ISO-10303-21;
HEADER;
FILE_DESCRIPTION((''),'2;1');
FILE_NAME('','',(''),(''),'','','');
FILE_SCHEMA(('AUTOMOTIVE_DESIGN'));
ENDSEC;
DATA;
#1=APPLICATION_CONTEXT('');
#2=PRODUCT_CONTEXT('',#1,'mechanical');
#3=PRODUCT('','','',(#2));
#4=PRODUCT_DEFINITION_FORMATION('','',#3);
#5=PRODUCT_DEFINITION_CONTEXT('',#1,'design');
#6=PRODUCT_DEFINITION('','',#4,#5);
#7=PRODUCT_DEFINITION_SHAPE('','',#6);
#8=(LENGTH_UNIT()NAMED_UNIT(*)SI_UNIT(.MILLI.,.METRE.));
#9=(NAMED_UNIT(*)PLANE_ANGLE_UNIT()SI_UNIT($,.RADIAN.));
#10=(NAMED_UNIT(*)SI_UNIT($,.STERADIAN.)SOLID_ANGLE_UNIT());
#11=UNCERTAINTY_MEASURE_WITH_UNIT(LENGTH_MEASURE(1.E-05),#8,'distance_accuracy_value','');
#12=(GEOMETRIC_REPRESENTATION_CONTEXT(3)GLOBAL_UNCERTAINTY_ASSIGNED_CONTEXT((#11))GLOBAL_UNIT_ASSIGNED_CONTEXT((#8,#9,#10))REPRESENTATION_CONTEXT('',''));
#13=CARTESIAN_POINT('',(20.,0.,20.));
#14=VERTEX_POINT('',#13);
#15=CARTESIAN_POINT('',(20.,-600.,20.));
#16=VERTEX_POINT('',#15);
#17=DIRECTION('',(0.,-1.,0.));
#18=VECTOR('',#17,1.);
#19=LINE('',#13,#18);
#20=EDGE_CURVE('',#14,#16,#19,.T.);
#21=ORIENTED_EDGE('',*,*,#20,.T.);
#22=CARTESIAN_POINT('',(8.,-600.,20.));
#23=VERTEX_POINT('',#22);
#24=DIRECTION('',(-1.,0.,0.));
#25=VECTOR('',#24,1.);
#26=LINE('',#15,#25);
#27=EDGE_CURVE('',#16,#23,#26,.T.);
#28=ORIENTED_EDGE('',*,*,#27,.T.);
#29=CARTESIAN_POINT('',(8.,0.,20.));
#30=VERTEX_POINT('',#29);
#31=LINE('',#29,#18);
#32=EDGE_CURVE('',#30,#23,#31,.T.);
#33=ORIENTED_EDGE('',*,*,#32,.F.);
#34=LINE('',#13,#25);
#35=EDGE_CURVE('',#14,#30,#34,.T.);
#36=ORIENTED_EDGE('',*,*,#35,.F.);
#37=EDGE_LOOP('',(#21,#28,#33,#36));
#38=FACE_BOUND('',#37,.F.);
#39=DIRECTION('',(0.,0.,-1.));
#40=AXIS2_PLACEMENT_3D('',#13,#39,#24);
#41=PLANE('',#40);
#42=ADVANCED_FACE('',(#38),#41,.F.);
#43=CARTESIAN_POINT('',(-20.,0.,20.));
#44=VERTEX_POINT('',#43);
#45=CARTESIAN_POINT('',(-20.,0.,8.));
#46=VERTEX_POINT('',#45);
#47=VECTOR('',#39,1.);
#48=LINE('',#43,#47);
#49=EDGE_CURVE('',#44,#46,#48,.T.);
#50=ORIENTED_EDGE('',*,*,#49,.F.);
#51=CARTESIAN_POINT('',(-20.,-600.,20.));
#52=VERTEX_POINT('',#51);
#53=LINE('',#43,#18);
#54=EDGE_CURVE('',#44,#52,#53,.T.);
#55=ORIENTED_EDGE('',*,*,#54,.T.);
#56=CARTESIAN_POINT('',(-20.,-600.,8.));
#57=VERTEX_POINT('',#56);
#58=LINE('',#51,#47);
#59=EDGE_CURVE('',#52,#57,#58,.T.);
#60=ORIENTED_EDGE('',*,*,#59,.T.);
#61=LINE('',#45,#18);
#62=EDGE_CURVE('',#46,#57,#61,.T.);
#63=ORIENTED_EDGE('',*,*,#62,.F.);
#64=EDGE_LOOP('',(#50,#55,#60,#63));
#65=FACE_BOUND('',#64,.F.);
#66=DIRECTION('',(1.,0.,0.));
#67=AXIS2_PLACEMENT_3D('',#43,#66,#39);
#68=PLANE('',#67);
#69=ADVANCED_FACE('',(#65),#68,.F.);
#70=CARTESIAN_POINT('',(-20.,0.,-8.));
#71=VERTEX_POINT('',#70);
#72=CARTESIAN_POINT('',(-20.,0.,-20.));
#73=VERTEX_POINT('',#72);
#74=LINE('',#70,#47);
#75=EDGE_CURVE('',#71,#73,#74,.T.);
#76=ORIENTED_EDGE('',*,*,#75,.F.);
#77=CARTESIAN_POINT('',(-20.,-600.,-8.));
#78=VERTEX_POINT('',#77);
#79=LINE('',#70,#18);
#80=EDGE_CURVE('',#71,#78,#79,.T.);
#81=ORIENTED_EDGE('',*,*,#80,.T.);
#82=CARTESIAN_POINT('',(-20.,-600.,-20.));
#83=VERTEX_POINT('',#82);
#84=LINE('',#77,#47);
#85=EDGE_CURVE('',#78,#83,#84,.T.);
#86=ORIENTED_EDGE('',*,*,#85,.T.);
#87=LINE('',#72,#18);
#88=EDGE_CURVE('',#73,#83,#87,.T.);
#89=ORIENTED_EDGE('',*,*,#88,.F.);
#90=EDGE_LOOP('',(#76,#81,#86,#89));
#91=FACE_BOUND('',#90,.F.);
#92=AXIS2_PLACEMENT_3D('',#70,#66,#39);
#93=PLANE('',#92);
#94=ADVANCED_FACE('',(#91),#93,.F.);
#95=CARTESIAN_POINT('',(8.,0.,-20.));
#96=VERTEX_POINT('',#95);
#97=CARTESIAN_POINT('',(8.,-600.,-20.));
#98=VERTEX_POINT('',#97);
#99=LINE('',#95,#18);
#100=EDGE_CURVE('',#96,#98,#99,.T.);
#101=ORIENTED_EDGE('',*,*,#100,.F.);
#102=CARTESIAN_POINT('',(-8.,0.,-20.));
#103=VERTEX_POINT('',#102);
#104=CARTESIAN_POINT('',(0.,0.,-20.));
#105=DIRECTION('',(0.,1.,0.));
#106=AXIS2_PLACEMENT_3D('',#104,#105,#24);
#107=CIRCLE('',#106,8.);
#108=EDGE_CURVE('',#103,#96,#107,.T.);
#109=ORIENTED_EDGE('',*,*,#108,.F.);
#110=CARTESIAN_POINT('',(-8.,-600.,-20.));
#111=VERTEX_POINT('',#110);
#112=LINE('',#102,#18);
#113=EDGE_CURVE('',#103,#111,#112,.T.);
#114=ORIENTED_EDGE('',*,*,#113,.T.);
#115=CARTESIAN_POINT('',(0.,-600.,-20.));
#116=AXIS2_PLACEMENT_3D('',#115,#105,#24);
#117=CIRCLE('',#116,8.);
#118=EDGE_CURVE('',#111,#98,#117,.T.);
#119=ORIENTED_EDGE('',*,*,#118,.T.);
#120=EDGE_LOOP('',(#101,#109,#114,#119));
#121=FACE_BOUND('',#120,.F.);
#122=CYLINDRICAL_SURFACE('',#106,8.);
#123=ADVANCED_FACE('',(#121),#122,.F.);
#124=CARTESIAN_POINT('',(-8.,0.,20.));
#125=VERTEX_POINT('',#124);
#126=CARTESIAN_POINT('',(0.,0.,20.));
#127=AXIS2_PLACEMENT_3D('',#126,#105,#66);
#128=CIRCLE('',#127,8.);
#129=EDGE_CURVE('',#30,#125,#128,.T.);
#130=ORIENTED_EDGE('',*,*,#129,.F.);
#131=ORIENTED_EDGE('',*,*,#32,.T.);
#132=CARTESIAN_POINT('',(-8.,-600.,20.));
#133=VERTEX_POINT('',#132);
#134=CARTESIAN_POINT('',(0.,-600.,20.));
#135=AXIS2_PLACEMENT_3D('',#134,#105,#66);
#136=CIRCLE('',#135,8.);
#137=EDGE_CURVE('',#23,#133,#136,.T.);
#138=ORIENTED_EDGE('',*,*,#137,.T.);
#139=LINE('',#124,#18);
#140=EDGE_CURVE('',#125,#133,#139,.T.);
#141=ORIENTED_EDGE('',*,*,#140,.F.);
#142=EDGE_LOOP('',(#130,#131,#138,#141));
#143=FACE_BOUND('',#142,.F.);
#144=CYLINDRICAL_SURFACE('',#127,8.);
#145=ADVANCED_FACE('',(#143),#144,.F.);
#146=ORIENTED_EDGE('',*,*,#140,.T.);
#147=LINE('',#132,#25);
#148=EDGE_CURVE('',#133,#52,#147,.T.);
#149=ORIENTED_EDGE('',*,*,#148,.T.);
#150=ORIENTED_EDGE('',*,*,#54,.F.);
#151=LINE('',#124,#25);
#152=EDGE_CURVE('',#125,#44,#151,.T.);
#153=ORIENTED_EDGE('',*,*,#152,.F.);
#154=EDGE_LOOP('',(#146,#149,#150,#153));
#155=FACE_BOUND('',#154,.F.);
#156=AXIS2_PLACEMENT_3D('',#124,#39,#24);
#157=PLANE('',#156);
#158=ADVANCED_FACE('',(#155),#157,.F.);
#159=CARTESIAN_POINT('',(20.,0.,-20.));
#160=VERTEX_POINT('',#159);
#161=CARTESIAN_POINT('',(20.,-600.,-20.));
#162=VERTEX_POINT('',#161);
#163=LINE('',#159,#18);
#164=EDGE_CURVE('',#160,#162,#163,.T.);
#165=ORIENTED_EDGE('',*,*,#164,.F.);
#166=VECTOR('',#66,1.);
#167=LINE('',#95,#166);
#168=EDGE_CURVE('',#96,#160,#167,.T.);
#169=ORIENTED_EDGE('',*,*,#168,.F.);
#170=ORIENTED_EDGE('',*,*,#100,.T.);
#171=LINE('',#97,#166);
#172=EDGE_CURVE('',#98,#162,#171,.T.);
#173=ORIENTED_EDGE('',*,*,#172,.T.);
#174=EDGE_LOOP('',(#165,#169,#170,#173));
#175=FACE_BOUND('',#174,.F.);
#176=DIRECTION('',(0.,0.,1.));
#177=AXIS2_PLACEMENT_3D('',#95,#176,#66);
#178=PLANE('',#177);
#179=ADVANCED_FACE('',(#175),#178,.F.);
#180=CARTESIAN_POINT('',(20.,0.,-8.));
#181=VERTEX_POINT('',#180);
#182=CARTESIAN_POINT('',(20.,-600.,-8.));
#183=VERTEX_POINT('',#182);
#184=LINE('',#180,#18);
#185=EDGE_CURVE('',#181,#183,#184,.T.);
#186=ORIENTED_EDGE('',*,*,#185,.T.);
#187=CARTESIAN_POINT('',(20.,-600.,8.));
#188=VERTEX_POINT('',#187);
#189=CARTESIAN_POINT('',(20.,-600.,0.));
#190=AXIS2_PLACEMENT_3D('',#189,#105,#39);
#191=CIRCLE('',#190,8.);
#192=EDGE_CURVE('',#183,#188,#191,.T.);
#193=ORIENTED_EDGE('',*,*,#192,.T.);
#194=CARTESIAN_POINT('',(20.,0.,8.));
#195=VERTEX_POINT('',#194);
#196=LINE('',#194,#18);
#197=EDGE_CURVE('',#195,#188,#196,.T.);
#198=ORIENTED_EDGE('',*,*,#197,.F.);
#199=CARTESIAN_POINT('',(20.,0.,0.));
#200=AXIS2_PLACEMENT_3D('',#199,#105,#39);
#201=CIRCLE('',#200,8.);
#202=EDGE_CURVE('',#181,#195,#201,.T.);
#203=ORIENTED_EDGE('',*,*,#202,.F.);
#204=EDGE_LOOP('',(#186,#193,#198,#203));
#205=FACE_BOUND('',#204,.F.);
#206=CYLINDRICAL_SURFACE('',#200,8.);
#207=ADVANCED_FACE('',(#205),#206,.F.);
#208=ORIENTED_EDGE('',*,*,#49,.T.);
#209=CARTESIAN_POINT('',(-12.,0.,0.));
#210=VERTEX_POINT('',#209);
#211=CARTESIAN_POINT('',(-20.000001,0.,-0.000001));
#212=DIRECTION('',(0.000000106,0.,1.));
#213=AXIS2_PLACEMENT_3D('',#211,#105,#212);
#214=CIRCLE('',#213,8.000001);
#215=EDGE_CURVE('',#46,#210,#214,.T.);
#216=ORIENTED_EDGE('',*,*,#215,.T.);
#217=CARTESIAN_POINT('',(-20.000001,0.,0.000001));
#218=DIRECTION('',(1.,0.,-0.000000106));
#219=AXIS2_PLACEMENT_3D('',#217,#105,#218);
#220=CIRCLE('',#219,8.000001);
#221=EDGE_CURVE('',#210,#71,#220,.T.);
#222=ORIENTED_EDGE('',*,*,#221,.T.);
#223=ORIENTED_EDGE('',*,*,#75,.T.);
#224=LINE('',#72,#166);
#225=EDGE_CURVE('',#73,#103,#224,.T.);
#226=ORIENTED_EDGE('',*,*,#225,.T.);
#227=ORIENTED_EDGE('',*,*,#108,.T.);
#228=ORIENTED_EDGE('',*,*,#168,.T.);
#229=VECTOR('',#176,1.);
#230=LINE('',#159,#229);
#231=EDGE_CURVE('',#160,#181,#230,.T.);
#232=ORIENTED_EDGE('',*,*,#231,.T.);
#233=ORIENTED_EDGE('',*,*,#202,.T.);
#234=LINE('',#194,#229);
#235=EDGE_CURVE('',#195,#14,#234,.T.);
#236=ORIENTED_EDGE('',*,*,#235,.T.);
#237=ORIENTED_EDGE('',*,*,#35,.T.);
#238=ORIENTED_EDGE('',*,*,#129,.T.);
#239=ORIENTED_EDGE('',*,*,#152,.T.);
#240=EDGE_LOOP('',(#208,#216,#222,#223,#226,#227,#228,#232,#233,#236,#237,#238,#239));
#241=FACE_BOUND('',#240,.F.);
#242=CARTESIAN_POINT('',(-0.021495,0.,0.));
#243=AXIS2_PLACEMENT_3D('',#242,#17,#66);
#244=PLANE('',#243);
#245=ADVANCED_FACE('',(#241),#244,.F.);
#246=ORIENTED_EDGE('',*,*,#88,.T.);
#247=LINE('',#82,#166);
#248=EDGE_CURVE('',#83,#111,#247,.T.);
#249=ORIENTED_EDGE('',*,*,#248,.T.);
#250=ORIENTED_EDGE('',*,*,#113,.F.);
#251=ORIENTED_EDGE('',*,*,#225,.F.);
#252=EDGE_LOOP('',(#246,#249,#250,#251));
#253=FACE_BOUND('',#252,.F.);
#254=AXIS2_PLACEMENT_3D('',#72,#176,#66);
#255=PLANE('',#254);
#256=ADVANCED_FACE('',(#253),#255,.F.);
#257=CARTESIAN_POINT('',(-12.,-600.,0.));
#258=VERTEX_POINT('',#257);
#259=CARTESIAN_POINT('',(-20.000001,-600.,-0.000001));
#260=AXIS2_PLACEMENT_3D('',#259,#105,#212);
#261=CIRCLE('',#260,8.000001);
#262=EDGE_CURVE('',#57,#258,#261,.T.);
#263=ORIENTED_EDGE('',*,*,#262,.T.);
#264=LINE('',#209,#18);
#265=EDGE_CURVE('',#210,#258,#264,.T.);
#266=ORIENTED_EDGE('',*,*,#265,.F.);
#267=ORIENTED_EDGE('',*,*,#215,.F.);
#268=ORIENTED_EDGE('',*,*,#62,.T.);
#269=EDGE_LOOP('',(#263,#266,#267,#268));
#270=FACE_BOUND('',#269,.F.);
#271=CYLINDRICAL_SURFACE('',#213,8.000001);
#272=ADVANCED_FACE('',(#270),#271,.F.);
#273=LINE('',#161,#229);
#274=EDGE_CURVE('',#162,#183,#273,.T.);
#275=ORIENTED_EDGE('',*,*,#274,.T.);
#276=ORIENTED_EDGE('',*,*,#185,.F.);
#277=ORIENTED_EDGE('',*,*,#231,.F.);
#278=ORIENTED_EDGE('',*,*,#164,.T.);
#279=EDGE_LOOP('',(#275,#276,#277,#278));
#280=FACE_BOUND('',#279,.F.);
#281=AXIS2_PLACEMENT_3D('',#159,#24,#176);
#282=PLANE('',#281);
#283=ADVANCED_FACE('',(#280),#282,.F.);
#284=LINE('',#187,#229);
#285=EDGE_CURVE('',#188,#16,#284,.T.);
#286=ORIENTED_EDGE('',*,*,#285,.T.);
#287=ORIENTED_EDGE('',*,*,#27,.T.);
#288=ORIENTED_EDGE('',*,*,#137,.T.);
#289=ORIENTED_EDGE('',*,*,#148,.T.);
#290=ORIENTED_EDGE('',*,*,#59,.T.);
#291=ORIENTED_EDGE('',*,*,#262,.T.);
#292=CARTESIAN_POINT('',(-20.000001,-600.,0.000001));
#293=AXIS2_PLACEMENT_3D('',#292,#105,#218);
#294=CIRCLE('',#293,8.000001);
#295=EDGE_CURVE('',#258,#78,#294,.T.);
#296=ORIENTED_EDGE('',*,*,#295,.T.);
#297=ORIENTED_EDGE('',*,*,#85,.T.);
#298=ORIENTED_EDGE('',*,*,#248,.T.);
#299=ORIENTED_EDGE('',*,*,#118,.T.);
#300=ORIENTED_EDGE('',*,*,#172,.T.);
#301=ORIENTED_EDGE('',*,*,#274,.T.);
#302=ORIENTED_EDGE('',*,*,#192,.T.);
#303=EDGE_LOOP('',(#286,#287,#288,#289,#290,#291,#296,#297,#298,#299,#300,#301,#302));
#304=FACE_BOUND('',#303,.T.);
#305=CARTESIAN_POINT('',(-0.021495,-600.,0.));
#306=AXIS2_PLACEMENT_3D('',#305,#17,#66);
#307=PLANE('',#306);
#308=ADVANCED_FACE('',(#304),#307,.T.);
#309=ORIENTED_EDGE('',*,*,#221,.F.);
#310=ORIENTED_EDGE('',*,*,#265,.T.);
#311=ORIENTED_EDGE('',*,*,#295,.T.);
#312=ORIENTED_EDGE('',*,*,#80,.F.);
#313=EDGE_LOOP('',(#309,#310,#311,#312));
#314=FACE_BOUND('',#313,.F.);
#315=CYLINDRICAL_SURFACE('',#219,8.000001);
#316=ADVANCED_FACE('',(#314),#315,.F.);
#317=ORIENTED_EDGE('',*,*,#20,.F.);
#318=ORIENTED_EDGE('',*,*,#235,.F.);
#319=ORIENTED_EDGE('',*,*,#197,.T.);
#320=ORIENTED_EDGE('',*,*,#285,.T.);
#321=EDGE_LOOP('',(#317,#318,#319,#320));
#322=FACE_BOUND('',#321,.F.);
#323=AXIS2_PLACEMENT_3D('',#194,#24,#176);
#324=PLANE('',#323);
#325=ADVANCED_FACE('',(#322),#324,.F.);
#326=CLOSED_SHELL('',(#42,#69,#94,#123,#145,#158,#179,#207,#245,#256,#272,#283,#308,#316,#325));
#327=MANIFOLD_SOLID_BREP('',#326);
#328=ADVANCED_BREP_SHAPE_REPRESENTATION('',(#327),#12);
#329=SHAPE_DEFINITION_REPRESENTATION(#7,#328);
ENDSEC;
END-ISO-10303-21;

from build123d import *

# Parameters (mm, degrees)
F1_DEPTH = 600


with BuildPart() as f1:
    # F0 (on Front) → F1 (new body)
    with BuildSketch(Plane.XZ):
        with BuildLine():
            Line((8, -20), (20, -20))
            Line((20, -20), (20, -8))
            ThreePointArc((20, -8), (12, 0), (20, 8))
            Line((20, 8), (20, 20))
            Line((20, 20), (8, 20))
            ThreePointArc((8, 20), (0, 12), (-8, 20))
            Line((-8, 20), (-20, 20))
            Line((-20, 20), (-20, 8))
            ThreePointArc((-20, 8), (-14.343146, 5.656854), (-12, 0))
            ThreePointArc((-12, 0), (-14.343146, -5.656854), (-20, -8))
            Line((-20, -8), (-20, -20))
            Line((-20, -20), (-8, -20))
            ThreePointArc((-8, -20), (0, -12), (8, -20))
        make_face()
    extrude(amount=F1_DEPTH)


solid = f1.part
